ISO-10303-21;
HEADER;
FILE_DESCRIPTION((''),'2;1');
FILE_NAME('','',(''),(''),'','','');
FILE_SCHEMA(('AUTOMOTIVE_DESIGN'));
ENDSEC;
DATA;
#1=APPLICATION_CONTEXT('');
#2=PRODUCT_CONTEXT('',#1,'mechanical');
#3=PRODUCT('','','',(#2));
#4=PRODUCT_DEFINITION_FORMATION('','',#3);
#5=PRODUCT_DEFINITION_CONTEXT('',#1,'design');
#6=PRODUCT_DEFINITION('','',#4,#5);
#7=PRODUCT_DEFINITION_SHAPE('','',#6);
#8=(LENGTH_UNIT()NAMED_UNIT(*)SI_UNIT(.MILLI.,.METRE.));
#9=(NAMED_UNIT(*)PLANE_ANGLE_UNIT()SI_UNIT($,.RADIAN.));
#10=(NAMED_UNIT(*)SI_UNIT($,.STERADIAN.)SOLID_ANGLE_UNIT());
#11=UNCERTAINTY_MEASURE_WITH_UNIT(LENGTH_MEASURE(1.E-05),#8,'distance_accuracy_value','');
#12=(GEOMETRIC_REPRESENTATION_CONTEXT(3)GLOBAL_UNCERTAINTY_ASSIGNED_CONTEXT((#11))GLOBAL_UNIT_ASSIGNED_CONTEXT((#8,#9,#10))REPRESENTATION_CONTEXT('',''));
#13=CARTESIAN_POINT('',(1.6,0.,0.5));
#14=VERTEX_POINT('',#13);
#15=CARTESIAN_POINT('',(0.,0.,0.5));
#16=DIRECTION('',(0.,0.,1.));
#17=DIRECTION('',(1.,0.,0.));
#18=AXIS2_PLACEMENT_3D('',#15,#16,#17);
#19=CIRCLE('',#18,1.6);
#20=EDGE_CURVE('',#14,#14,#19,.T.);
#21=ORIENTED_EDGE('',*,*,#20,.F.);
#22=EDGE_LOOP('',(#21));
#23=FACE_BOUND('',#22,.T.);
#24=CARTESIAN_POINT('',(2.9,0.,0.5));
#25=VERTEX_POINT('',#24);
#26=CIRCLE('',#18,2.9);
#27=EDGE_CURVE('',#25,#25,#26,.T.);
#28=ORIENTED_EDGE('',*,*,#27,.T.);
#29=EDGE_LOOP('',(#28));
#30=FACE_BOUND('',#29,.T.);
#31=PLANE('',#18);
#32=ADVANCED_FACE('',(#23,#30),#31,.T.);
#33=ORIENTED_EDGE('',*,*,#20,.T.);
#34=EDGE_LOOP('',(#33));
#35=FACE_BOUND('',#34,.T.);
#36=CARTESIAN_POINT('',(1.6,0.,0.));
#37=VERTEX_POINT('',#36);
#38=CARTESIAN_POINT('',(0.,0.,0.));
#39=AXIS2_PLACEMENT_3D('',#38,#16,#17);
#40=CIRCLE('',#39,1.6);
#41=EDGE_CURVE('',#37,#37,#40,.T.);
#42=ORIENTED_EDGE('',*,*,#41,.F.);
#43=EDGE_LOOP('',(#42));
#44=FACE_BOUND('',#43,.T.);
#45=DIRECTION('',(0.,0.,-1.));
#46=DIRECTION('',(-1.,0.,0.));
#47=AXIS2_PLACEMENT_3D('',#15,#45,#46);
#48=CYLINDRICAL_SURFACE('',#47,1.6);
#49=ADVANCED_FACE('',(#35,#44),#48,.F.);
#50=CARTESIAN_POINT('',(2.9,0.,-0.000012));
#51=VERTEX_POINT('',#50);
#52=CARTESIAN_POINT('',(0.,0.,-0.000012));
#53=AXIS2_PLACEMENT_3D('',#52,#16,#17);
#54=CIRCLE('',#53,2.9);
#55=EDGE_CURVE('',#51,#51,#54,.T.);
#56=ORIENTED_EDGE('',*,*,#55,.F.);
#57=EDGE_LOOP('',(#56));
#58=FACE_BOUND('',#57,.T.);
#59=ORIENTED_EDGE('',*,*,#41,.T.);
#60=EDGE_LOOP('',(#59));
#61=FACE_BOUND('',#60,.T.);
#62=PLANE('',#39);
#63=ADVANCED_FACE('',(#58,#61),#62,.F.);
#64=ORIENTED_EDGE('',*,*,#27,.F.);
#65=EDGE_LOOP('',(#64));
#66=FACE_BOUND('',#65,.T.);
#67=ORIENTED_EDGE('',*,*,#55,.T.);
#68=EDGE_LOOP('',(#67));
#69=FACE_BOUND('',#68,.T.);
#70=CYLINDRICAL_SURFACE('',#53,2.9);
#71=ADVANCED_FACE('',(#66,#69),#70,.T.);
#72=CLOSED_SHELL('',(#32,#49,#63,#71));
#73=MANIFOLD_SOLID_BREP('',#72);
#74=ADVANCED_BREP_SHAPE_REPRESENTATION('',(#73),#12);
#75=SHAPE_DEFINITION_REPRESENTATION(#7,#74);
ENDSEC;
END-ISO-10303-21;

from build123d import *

# Parameters (mm, degrees)
SKETCH1_R                          = 3.5
SKETCH1_R_2                        = 1.6
WASHER_ENVELOPE_DEPTH              = 0.5
BENCH_DIN433_OD5P8_TRIM_DEPTH      = 5.974937186
BENCH_DIN433_OD5P8_TRIM_DEPTH_BACK = 5.974937186
SKETCH2_R                          = 3.8
SKETCH2_R_2                        = 2.9


with BuildPart() as part:
    # Sketch1 → Washer_Envelope (new body)
    with BuildSketch(Plane.XY):
        Circle(SKETCH1_R)
        Circle(SKETCH1_R_2, mode=Mode.SUBTRACT)
    extrude(amount=WASHER_ENVELOPE_DEPTH)

    # Sketch2 → Bench_DIN433_OD5p8_Trim (cut, two sides: drawn at the far end of the back side and taken through both)
    with BuildSketch(Plane.XY.offset(-BENCH_DIN433_OD5P8_TRIM_DEPTH_BACK)):
        Circle(SKETCH2_R)
        Circle(SKETCH2_R_2, mode=Mode.SUBTRACT)
    extrude(amount=BENCH_DIN433_OD5P8_TRIM_DEPTH + BENCH_DIN433_OD5P8_TRIM_DEPTH_BACK, mode=Mode.SUBTRACT)


solid = part.part
